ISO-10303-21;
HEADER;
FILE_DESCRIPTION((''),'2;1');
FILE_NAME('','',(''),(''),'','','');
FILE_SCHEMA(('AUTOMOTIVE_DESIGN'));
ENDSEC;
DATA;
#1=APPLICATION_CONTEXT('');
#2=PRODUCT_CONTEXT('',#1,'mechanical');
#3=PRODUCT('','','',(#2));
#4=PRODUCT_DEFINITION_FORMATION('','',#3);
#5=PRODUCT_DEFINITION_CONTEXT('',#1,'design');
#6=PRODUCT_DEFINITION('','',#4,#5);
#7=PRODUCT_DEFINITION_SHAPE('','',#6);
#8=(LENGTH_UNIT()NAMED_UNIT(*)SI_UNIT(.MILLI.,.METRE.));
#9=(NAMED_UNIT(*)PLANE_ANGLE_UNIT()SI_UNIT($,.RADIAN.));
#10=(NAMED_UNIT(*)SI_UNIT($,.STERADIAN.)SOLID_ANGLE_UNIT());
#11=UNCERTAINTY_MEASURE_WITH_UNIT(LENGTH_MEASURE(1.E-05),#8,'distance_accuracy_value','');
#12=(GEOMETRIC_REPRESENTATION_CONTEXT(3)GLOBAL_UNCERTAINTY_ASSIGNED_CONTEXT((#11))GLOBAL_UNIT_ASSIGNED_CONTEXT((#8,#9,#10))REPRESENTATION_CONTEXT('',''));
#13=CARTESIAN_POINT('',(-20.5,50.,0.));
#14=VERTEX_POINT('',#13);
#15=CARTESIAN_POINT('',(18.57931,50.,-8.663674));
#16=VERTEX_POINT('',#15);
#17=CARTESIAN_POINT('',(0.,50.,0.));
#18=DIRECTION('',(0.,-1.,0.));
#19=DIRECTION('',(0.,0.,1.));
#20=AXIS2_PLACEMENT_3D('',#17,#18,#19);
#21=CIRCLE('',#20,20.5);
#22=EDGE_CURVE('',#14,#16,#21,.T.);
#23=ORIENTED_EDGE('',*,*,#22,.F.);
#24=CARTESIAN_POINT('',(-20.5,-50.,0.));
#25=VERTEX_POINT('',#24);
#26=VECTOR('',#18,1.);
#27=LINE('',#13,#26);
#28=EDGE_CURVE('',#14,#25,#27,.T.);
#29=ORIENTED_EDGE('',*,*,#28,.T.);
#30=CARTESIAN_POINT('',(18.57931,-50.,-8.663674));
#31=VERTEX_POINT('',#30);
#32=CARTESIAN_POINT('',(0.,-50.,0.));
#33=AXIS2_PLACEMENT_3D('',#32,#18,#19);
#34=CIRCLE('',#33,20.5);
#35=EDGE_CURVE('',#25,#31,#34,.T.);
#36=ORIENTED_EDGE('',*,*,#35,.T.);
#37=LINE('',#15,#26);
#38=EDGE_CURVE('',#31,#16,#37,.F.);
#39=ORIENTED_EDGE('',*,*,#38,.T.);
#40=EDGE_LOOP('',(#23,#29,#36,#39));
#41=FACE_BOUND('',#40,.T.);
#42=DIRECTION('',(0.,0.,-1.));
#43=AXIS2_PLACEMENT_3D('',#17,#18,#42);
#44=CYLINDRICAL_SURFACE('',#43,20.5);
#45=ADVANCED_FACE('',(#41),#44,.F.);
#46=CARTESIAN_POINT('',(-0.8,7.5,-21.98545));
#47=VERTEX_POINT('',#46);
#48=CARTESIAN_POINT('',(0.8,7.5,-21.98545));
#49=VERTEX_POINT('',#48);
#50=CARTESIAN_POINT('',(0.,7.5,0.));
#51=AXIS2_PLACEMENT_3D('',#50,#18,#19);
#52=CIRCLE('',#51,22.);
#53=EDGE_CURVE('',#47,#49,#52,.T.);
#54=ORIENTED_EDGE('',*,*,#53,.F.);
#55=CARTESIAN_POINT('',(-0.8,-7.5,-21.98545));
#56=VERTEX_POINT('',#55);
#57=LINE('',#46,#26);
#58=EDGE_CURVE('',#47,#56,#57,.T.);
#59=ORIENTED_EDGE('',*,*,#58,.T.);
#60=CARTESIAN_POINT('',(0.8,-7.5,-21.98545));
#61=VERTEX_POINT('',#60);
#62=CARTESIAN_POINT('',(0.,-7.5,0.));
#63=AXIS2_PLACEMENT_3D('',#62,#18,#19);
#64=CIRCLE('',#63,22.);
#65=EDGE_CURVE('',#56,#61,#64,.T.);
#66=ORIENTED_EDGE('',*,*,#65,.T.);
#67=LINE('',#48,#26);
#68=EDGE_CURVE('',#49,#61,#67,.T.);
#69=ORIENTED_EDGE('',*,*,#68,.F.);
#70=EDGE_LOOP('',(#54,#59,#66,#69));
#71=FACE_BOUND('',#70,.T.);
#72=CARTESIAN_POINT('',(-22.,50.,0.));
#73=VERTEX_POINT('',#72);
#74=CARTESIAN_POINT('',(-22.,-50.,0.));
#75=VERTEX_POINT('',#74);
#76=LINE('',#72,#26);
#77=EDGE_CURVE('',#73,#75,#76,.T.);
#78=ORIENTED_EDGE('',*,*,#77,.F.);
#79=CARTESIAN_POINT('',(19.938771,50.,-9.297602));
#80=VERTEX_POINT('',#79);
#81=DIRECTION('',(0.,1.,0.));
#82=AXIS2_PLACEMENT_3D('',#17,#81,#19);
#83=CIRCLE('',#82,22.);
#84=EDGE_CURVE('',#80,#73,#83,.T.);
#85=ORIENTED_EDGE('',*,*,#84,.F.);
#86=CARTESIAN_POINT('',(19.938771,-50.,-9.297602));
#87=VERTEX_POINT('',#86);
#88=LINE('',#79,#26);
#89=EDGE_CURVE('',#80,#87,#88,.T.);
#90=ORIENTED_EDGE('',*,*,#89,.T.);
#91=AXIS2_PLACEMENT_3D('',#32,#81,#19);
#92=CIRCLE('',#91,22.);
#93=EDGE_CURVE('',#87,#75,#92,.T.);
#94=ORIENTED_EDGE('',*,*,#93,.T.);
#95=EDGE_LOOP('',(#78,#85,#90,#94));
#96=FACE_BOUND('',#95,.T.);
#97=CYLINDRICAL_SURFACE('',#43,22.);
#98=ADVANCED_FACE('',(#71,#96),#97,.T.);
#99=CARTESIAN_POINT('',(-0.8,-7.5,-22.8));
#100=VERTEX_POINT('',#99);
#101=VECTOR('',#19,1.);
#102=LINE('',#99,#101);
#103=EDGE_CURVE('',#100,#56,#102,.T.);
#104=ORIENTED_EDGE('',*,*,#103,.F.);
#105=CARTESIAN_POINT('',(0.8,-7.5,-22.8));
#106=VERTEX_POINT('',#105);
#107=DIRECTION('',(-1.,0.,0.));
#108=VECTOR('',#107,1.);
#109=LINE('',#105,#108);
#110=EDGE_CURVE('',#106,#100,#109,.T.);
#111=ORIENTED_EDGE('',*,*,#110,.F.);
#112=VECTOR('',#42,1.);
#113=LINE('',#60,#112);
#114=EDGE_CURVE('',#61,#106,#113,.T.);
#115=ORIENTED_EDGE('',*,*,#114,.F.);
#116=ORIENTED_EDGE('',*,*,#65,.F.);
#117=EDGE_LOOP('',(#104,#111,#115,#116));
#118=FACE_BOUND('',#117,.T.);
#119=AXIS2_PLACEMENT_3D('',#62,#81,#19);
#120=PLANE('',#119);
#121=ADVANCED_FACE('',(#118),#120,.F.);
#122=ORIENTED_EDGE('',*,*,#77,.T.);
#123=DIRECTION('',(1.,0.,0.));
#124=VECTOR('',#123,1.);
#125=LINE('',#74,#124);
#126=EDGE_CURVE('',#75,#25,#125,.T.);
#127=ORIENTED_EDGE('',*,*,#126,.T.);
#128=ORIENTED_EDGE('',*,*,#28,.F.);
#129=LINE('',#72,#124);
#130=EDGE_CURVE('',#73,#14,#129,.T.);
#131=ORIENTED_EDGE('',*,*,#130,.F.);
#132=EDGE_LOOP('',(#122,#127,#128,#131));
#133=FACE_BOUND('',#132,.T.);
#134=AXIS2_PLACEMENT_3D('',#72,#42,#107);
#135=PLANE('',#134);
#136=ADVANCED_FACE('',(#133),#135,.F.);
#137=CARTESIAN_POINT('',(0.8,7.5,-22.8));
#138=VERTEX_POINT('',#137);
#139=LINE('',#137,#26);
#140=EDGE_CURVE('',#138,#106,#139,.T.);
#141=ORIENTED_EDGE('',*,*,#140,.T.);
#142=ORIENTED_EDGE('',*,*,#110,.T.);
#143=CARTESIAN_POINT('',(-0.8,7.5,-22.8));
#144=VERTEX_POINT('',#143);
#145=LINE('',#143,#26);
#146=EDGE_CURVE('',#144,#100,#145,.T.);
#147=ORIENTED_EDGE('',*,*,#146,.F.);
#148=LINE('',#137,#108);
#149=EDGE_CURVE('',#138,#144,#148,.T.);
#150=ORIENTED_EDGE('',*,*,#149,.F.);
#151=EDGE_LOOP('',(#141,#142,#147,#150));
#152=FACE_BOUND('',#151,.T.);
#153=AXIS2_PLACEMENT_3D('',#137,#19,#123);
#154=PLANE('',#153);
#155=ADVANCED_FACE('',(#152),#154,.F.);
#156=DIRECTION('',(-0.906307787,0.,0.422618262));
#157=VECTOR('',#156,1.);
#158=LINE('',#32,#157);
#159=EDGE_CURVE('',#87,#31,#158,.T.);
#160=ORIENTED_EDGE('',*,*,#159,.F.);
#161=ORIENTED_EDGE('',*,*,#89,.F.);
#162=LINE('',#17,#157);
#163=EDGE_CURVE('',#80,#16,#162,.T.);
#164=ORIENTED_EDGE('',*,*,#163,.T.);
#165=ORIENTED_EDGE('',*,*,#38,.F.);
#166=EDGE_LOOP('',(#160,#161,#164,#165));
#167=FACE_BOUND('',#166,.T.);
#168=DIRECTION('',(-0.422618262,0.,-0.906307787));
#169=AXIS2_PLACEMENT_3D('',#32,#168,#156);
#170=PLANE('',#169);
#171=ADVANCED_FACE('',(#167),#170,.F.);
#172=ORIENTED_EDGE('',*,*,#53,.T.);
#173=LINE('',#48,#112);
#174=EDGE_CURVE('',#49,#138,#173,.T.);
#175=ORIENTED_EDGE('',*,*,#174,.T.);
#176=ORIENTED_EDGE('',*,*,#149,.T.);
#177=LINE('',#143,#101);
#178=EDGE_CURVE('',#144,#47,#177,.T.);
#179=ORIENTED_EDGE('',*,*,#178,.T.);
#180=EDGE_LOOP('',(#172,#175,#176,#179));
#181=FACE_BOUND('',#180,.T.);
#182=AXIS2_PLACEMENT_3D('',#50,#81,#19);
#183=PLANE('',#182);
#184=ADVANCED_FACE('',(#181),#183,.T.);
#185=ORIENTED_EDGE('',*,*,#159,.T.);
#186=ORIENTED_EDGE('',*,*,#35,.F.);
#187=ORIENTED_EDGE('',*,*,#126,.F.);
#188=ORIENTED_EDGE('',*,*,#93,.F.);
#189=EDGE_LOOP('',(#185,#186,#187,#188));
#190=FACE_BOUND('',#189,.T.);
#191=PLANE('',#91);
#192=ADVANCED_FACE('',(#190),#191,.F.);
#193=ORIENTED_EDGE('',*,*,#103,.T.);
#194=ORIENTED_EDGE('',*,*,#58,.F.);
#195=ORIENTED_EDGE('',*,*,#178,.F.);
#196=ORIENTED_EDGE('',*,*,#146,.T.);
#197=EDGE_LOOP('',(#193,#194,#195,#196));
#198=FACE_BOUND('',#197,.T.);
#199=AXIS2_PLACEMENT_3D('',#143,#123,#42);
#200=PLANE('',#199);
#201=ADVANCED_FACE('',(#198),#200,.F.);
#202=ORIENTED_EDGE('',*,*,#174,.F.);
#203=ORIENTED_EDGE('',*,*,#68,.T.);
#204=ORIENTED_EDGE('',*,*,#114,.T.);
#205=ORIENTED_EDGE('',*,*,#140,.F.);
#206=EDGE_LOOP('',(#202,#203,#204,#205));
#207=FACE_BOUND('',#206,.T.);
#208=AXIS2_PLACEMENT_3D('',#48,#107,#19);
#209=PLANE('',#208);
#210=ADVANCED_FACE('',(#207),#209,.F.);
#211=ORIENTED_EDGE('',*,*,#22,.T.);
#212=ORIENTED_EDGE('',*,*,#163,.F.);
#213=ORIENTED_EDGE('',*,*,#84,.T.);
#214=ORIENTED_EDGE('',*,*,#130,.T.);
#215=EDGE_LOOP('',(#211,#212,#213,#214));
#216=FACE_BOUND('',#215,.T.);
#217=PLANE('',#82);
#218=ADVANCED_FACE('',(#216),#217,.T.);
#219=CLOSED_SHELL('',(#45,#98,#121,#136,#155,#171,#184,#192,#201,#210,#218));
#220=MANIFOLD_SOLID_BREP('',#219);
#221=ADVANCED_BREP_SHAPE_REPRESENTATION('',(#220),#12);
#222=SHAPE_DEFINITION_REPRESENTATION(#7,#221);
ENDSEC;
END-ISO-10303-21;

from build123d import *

# Parameters (mm, degrees)
EXTRUDE_1_DEPTH     = 50
EXTRUDE_2_DEPTH     = 7.5
CUT_EXTRUDE_1_DEPTH = 105.899189701


with BuildPart() as part:
    # 草图1 → 凸台-拉伸1 (new, symmetric)
    with BuildSketch(Plane(origin=(0, 0, 0), x_dir=(1, 0, 0), z_dir=(0, 1, 0))):
        with BuildLine():
            Line((-22, 0), (-20.5, 0))
            ThreePointArc((-20.5, 0), (0, 20.5), (20.5, 0))
            Line((20.5, 0), (22, 0))
            ThreePointArc((22, 0), (15.836666316, 15.270887335), (0.8, 21.985449734))
            ThreePointArc((0.8, 21.985449734), (-15.270887335, 15.836666316), (-22, 0))
        make_face()
    extrude(amount=EXTRUDE_1_DEPTH, both=True)

    # 草图2 → 凸台-拉伸2 (add, symmetric)
    with BuildSketch(Plane(origin=(0, 0, 0), x_dir=(1, 0, 0), z_dir=(0, 1, 0))):
        with BuildLine():
            Line((-0.8, 22.8), (-0.8, 21.985449734))
            ThreePointArc((-0.8, 21.985449734), (0, 22), (0.8, 21.985449734))
            Line((0.8, 21.985449734), (0.8, 22.8))
            Line((0.8, 22.8), (-0.8, 22.8))
        make_face()
    extrude(amount=EXTRUDE_2_DEPTH, both=True)

    # 草图3 → 切除-拉伸1 (cut, through all)
    with BuildSketch(Plane(origin=(0, 50, 0), x_dir=(1, 0, 0), z_dir=(0, 1, 0))):
        Polygon((0, 0), (22, 10.258768479), (22, 0), align=None)
    extrude(amount=-CUT_EXTRUDE_1_DEPTH, mode=Mode.SUBTRACT)


solid = part.part
